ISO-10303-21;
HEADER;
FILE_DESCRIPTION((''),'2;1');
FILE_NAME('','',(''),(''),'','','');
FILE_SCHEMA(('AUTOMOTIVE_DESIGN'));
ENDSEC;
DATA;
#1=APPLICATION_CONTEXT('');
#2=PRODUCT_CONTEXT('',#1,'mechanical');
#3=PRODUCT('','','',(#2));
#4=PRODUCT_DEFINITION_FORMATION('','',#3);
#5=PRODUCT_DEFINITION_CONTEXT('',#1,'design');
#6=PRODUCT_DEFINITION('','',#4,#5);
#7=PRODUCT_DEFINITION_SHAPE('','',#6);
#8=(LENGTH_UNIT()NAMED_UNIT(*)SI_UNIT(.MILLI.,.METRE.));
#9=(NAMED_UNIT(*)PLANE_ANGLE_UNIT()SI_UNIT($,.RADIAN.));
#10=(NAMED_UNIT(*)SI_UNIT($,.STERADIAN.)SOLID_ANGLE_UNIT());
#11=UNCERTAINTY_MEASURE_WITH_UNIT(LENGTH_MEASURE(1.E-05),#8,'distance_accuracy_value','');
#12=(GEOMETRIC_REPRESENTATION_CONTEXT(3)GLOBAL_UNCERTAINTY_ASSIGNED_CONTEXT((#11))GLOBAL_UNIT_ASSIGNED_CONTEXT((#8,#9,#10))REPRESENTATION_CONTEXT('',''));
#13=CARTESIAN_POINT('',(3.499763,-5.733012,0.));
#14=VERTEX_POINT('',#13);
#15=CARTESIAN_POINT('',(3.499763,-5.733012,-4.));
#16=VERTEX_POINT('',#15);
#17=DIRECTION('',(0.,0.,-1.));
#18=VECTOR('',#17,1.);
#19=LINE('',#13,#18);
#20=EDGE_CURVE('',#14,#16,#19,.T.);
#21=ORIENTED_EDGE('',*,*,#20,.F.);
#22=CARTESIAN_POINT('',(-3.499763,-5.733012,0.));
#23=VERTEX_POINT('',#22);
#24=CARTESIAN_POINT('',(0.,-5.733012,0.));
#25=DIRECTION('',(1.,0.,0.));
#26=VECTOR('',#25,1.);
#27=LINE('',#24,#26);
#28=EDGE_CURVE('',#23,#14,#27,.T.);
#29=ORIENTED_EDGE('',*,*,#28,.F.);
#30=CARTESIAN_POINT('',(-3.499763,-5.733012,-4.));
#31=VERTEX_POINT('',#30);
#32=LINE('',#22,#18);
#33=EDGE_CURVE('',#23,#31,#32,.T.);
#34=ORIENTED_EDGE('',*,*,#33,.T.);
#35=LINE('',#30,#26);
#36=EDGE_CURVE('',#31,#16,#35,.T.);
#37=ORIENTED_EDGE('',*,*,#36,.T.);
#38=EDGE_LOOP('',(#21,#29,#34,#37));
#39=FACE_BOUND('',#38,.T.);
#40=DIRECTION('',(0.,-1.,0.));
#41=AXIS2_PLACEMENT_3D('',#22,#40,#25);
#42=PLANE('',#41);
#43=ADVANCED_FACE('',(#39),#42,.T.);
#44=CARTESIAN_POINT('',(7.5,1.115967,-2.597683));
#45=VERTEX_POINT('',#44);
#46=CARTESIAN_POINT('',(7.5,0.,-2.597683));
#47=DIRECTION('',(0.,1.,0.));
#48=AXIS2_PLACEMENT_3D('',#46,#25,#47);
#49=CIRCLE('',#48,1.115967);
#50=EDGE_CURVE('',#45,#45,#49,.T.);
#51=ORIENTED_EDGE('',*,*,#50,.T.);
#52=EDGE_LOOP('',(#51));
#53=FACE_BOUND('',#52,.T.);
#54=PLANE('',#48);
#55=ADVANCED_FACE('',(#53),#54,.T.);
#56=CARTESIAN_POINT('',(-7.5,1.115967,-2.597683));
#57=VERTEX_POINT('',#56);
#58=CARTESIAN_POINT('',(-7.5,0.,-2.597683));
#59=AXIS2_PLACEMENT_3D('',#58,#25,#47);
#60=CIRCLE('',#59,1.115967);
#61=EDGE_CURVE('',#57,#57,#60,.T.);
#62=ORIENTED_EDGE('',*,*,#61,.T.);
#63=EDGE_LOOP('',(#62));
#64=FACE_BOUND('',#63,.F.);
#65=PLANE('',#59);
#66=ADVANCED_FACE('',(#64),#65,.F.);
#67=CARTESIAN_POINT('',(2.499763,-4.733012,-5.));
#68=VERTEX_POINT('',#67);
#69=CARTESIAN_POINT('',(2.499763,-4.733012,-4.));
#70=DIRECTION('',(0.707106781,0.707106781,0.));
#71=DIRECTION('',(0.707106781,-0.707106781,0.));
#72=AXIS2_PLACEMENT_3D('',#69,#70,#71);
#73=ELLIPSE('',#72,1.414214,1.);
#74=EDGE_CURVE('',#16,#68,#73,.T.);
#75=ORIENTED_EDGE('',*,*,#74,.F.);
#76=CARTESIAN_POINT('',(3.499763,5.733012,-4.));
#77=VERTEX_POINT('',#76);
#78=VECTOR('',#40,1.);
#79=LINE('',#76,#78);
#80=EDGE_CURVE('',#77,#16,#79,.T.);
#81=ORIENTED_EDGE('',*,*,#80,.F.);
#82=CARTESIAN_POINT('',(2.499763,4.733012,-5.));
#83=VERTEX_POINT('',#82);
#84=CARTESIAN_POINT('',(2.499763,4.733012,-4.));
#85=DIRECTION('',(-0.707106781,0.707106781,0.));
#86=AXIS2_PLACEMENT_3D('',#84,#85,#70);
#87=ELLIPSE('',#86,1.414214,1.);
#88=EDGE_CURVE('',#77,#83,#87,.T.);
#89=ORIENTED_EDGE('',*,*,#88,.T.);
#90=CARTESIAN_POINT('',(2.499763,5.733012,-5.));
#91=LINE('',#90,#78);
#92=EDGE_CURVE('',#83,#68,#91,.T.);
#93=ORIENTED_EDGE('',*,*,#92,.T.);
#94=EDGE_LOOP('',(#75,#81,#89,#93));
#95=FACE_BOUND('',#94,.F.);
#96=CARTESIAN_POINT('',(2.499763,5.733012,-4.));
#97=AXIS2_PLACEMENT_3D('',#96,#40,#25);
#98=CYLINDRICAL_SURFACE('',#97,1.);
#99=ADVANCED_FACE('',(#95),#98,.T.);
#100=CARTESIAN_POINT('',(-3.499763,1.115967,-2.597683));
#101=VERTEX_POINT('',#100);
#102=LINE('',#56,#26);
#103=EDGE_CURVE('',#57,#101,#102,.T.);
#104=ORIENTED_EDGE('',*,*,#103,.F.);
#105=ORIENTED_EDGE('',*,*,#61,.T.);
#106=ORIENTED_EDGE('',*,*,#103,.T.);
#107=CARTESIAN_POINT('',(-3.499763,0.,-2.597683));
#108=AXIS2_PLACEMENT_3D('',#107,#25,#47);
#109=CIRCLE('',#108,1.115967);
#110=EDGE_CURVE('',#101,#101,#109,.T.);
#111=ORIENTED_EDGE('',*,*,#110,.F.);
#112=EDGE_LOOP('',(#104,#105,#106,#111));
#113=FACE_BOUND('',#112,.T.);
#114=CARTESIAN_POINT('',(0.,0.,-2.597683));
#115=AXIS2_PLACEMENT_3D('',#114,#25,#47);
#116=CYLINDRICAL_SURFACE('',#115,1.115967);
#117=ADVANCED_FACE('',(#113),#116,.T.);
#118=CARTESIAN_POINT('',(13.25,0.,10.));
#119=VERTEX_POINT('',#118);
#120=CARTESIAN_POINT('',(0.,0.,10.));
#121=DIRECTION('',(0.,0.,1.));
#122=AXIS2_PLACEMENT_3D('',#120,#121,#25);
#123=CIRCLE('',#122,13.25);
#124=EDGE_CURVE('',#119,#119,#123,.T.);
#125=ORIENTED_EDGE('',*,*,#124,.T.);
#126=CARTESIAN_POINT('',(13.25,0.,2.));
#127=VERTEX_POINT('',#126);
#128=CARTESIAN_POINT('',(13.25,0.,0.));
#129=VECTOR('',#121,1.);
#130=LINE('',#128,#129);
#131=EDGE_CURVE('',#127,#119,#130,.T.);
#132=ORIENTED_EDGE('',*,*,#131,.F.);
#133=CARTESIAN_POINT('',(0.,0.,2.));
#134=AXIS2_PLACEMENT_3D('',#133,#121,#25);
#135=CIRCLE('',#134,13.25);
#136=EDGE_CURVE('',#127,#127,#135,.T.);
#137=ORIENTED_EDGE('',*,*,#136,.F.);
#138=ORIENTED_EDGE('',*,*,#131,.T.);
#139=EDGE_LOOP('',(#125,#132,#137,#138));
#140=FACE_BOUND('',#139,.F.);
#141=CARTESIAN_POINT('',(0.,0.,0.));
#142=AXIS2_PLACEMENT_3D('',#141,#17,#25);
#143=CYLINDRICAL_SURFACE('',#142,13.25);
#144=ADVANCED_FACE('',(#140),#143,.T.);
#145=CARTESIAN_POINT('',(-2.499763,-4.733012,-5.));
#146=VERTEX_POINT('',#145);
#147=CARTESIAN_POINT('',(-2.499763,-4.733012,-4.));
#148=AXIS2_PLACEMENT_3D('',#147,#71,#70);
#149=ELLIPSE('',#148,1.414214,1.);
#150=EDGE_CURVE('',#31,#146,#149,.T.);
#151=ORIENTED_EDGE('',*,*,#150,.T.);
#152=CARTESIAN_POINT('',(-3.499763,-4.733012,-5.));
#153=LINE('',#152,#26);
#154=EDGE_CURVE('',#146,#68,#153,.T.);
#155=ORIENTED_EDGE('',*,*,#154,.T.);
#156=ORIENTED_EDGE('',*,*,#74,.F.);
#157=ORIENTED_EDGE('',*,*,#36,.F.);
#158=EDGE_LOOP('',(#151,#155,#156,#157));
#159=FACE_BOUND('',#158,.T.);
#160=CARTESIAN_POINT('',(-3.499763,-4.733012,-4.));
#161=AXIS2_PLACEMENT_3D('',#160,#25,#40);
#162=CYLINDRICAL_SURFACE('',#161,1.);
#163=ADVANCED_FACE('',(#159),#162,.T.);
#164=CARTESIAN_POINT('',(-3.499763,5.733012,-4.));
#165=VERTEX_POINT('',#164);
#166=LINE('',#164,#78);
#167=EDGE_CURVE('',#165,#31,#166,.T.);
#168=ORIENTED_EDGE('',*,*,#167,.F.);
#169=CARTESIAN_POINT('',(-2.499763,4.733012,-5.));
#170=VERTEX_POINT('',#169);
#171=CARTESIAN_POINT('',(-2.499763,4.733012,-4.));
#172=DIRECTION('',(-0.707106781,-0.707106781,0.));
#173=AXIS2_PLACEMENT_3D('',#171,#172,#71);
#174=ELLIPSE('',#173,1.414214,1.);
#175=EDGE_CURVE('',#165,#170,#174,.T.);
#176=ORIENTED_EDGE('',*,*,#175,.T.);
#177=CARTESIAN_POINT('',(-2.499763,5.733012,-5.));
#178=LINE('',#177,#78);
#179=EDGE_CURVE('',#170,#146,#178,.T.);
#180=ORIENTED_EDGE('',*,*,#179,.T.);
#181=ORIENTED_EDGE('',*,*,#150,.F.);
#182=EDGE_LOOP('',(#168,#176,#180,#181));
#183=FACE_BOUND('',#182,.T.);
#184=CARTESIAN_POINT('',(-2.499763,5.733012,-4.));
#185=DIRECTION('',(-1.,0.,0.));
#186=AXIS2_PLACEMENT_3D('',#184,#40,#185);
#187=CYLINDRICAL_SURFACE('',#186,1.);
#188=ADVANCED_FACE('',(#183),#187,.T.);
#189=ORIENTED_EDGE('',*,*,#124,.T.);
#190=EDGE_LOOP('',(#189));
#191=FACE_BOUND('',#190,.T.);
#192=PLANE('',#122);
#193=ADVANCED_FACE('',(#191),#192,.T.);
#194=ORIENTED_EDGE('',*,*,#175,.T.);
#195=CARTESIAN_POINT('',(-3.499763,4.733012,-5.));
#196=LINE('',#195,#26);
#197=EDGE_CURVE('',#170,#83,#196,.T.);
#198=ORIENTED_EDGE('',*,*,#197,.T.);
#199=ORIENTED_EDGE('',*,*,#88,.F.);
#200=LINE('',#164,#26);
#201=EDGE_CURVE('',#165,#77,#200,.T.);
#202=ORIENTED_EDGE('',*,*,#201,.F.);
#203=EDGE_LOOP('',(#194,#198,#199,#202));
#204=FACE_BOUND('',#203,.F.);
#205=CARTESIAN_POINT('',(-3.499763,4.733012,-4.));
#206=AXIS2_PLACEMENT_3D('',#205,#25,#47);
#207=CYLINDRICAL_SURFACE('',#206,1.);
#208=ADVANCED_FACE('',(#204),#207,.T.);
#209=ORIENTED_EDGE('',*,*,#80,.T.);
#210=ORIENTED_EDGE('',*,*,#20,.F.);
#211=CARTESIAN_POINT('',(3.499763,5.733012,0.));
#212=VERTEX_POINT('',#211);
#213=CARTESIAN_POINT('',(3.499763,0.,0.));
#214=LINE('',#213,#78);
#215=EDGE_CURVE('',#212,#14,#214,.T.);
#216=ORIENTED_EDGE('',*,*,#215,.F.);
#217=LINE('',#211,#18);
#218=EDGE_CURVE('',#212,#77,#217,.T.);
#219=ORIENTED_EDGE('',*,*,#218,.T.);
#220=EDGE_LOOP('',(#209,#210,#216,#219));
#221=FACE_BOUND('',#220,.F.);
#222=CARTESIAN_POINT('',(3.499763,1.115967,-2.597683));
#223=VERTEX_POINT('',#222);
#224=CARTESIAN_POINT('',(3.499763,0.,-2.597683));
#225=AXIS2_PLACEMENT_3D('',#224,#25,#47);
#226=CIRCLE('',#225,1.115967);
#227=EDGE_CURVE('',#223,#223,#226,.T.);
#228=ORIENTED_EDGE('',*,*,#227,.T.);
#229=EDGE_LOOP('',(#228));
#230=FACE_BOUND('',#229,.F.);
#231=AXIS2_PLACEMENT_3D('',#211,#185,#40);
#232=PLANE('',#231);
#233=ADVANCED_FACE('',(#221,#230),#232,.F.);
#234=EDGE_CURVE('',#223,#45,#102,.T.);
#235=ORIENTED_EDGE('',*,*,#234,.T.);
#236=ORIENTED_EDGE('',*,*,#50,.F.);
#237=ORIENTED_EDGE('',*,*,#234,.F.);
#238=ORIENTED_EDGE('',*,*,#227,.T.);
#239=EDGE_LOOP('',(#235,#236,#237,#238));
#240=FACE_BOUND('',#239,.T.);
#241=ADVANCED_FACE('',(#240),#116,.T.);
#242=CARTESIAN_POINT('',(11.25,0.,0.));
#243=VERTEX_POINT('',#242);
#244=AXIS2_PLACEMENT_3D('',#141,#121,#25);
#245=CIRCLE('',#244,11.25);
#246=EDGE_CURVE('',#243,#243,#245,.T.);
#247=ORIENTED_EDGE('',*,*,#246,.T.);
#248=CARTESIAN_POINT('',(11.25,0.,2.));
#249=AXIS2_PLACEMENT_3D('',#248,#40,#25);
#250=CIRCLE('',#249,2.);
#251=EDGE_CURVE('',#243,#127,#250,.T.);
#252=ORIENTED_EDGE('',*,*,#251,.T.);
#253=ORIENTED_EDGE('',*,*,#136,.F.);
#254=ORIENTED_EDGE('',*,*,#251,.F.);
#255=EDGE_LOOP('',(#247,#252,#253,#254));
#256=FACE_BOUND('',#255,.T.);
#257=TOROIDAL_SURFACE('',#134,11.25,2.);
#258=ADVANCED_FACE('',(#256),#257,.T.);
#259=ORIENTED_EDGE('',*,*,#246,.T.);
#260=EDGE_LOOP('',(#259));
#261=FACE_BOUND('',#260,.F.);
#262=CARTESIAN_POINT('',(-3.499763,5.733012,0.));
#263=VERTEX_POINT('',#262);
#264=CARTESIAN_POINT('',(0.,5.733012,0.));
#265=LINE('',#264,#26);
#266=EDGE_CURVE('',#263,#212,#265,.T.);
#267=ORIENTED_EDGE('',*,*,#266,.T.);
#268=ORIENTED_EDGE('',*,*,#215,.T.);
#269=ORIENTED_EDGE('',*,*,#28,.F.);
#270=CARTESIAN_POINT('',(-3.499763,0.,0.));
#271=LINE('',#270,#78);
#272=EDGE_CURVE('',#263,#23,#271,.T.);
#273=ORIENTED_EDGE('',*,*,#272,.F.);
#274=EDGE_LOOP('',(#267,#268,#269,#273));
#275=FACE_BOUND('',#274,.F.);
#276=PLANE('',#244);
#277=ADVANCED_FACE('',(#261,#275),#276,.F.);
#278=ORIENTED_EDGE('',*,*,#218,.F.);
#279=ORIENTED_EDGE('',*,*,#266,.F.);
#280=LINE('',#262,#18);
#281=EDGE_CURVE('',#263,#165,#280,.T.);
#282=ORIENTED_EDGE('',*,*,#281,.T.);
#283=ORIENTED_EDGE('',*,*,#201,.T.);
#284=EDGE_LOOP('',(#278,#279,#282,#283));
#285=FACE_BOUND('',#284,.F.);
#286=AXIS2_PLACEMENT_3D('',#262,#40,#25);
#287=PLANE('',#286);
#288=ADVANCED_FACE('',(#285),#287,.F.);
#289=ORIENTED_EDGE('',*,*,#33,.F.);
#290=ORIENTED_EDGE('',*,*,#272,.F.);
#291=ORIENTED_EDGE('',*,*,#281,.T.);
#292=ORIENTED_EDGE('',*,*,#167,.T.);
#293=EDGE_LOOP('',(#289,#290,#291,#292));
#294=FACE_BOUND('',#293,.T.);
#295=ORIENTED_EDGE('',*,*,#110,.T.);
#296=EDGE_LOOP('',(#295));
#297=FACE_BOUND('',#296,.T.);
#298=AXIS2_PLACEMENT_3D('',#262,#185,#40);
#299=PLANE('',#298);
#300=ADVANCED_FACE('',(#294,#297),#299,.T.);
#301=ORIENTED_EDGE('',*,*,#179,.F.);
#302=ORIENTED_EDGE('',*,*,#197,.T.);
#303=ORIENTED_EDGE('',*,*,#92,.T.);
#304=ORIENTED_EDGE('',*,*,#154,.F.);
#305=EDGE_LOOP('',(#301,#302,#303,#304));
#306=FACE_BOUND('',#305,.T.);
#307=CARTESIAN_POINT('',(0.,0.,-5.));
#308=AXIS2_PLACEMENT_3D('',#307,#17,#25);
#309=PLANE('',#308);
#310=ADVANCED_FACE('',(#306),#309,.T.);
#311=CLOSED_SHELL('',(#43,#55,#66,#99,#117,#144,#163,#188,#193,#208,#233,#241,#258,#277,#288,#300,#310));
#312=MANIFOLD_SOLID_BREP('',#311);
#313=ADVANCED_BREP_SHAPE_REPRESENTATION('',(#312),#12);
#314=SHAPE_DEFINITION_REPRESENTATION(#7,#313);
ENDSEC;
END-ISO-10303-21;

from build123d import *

# Parameters (mm, degrees)
F0_R     = 13.25
F1_DEPTH = 10
F2_W     = 6.9995252416
F2_H     = 11.4660244435
F3_DEPTH = 5
F4_R     = 1.115966898
F5_DEPTH = 7.5
F6_R     = 2
F7_R     = 1


with BuildPart() as f1:
    # F0 (on Top) → F1 (new body)
    with BuildSketch(Plane.XY):
        Circle(F0_R)
    extrude(amount=F1_DEPTH)

    # F2 (on face) → F3 (join)
    with BuildSketch(Plane(origin=(0, 0, 0), x_dir=(1, 0, 0), z_dir=(0, 0, -1))):
        Rectangle(F2_W, F2_H)
    extrude(amount=F3_DEPTH)

    # F4 (on Right) → F5 (join, symmetric)
    with BuildSketch(Plane.YZ):
        with Locations((0, -2.5976826437)):
            Circle(F4_R)
    extrude(amount=F5_DEPTH, both=True)

    # F6
    f6_edges = [f1.edges().sort_by_distance(p)[0] for p in [
        (-13.25, 0, 0),
    ]]
    fillet(f6_edges, radius=F6_R)

    # F7
    f7_edges = [f1.edges().sort_by_distance(p)[0] for p in [
        (0, 5.733012, -5),
        (3.499763, 0, -5),
        (0, -5.733012, -5),
        (-3.499763, 0, -5),
    ]]
    fillet(f7_edges, radius=F7_R)


solid = f1.part
